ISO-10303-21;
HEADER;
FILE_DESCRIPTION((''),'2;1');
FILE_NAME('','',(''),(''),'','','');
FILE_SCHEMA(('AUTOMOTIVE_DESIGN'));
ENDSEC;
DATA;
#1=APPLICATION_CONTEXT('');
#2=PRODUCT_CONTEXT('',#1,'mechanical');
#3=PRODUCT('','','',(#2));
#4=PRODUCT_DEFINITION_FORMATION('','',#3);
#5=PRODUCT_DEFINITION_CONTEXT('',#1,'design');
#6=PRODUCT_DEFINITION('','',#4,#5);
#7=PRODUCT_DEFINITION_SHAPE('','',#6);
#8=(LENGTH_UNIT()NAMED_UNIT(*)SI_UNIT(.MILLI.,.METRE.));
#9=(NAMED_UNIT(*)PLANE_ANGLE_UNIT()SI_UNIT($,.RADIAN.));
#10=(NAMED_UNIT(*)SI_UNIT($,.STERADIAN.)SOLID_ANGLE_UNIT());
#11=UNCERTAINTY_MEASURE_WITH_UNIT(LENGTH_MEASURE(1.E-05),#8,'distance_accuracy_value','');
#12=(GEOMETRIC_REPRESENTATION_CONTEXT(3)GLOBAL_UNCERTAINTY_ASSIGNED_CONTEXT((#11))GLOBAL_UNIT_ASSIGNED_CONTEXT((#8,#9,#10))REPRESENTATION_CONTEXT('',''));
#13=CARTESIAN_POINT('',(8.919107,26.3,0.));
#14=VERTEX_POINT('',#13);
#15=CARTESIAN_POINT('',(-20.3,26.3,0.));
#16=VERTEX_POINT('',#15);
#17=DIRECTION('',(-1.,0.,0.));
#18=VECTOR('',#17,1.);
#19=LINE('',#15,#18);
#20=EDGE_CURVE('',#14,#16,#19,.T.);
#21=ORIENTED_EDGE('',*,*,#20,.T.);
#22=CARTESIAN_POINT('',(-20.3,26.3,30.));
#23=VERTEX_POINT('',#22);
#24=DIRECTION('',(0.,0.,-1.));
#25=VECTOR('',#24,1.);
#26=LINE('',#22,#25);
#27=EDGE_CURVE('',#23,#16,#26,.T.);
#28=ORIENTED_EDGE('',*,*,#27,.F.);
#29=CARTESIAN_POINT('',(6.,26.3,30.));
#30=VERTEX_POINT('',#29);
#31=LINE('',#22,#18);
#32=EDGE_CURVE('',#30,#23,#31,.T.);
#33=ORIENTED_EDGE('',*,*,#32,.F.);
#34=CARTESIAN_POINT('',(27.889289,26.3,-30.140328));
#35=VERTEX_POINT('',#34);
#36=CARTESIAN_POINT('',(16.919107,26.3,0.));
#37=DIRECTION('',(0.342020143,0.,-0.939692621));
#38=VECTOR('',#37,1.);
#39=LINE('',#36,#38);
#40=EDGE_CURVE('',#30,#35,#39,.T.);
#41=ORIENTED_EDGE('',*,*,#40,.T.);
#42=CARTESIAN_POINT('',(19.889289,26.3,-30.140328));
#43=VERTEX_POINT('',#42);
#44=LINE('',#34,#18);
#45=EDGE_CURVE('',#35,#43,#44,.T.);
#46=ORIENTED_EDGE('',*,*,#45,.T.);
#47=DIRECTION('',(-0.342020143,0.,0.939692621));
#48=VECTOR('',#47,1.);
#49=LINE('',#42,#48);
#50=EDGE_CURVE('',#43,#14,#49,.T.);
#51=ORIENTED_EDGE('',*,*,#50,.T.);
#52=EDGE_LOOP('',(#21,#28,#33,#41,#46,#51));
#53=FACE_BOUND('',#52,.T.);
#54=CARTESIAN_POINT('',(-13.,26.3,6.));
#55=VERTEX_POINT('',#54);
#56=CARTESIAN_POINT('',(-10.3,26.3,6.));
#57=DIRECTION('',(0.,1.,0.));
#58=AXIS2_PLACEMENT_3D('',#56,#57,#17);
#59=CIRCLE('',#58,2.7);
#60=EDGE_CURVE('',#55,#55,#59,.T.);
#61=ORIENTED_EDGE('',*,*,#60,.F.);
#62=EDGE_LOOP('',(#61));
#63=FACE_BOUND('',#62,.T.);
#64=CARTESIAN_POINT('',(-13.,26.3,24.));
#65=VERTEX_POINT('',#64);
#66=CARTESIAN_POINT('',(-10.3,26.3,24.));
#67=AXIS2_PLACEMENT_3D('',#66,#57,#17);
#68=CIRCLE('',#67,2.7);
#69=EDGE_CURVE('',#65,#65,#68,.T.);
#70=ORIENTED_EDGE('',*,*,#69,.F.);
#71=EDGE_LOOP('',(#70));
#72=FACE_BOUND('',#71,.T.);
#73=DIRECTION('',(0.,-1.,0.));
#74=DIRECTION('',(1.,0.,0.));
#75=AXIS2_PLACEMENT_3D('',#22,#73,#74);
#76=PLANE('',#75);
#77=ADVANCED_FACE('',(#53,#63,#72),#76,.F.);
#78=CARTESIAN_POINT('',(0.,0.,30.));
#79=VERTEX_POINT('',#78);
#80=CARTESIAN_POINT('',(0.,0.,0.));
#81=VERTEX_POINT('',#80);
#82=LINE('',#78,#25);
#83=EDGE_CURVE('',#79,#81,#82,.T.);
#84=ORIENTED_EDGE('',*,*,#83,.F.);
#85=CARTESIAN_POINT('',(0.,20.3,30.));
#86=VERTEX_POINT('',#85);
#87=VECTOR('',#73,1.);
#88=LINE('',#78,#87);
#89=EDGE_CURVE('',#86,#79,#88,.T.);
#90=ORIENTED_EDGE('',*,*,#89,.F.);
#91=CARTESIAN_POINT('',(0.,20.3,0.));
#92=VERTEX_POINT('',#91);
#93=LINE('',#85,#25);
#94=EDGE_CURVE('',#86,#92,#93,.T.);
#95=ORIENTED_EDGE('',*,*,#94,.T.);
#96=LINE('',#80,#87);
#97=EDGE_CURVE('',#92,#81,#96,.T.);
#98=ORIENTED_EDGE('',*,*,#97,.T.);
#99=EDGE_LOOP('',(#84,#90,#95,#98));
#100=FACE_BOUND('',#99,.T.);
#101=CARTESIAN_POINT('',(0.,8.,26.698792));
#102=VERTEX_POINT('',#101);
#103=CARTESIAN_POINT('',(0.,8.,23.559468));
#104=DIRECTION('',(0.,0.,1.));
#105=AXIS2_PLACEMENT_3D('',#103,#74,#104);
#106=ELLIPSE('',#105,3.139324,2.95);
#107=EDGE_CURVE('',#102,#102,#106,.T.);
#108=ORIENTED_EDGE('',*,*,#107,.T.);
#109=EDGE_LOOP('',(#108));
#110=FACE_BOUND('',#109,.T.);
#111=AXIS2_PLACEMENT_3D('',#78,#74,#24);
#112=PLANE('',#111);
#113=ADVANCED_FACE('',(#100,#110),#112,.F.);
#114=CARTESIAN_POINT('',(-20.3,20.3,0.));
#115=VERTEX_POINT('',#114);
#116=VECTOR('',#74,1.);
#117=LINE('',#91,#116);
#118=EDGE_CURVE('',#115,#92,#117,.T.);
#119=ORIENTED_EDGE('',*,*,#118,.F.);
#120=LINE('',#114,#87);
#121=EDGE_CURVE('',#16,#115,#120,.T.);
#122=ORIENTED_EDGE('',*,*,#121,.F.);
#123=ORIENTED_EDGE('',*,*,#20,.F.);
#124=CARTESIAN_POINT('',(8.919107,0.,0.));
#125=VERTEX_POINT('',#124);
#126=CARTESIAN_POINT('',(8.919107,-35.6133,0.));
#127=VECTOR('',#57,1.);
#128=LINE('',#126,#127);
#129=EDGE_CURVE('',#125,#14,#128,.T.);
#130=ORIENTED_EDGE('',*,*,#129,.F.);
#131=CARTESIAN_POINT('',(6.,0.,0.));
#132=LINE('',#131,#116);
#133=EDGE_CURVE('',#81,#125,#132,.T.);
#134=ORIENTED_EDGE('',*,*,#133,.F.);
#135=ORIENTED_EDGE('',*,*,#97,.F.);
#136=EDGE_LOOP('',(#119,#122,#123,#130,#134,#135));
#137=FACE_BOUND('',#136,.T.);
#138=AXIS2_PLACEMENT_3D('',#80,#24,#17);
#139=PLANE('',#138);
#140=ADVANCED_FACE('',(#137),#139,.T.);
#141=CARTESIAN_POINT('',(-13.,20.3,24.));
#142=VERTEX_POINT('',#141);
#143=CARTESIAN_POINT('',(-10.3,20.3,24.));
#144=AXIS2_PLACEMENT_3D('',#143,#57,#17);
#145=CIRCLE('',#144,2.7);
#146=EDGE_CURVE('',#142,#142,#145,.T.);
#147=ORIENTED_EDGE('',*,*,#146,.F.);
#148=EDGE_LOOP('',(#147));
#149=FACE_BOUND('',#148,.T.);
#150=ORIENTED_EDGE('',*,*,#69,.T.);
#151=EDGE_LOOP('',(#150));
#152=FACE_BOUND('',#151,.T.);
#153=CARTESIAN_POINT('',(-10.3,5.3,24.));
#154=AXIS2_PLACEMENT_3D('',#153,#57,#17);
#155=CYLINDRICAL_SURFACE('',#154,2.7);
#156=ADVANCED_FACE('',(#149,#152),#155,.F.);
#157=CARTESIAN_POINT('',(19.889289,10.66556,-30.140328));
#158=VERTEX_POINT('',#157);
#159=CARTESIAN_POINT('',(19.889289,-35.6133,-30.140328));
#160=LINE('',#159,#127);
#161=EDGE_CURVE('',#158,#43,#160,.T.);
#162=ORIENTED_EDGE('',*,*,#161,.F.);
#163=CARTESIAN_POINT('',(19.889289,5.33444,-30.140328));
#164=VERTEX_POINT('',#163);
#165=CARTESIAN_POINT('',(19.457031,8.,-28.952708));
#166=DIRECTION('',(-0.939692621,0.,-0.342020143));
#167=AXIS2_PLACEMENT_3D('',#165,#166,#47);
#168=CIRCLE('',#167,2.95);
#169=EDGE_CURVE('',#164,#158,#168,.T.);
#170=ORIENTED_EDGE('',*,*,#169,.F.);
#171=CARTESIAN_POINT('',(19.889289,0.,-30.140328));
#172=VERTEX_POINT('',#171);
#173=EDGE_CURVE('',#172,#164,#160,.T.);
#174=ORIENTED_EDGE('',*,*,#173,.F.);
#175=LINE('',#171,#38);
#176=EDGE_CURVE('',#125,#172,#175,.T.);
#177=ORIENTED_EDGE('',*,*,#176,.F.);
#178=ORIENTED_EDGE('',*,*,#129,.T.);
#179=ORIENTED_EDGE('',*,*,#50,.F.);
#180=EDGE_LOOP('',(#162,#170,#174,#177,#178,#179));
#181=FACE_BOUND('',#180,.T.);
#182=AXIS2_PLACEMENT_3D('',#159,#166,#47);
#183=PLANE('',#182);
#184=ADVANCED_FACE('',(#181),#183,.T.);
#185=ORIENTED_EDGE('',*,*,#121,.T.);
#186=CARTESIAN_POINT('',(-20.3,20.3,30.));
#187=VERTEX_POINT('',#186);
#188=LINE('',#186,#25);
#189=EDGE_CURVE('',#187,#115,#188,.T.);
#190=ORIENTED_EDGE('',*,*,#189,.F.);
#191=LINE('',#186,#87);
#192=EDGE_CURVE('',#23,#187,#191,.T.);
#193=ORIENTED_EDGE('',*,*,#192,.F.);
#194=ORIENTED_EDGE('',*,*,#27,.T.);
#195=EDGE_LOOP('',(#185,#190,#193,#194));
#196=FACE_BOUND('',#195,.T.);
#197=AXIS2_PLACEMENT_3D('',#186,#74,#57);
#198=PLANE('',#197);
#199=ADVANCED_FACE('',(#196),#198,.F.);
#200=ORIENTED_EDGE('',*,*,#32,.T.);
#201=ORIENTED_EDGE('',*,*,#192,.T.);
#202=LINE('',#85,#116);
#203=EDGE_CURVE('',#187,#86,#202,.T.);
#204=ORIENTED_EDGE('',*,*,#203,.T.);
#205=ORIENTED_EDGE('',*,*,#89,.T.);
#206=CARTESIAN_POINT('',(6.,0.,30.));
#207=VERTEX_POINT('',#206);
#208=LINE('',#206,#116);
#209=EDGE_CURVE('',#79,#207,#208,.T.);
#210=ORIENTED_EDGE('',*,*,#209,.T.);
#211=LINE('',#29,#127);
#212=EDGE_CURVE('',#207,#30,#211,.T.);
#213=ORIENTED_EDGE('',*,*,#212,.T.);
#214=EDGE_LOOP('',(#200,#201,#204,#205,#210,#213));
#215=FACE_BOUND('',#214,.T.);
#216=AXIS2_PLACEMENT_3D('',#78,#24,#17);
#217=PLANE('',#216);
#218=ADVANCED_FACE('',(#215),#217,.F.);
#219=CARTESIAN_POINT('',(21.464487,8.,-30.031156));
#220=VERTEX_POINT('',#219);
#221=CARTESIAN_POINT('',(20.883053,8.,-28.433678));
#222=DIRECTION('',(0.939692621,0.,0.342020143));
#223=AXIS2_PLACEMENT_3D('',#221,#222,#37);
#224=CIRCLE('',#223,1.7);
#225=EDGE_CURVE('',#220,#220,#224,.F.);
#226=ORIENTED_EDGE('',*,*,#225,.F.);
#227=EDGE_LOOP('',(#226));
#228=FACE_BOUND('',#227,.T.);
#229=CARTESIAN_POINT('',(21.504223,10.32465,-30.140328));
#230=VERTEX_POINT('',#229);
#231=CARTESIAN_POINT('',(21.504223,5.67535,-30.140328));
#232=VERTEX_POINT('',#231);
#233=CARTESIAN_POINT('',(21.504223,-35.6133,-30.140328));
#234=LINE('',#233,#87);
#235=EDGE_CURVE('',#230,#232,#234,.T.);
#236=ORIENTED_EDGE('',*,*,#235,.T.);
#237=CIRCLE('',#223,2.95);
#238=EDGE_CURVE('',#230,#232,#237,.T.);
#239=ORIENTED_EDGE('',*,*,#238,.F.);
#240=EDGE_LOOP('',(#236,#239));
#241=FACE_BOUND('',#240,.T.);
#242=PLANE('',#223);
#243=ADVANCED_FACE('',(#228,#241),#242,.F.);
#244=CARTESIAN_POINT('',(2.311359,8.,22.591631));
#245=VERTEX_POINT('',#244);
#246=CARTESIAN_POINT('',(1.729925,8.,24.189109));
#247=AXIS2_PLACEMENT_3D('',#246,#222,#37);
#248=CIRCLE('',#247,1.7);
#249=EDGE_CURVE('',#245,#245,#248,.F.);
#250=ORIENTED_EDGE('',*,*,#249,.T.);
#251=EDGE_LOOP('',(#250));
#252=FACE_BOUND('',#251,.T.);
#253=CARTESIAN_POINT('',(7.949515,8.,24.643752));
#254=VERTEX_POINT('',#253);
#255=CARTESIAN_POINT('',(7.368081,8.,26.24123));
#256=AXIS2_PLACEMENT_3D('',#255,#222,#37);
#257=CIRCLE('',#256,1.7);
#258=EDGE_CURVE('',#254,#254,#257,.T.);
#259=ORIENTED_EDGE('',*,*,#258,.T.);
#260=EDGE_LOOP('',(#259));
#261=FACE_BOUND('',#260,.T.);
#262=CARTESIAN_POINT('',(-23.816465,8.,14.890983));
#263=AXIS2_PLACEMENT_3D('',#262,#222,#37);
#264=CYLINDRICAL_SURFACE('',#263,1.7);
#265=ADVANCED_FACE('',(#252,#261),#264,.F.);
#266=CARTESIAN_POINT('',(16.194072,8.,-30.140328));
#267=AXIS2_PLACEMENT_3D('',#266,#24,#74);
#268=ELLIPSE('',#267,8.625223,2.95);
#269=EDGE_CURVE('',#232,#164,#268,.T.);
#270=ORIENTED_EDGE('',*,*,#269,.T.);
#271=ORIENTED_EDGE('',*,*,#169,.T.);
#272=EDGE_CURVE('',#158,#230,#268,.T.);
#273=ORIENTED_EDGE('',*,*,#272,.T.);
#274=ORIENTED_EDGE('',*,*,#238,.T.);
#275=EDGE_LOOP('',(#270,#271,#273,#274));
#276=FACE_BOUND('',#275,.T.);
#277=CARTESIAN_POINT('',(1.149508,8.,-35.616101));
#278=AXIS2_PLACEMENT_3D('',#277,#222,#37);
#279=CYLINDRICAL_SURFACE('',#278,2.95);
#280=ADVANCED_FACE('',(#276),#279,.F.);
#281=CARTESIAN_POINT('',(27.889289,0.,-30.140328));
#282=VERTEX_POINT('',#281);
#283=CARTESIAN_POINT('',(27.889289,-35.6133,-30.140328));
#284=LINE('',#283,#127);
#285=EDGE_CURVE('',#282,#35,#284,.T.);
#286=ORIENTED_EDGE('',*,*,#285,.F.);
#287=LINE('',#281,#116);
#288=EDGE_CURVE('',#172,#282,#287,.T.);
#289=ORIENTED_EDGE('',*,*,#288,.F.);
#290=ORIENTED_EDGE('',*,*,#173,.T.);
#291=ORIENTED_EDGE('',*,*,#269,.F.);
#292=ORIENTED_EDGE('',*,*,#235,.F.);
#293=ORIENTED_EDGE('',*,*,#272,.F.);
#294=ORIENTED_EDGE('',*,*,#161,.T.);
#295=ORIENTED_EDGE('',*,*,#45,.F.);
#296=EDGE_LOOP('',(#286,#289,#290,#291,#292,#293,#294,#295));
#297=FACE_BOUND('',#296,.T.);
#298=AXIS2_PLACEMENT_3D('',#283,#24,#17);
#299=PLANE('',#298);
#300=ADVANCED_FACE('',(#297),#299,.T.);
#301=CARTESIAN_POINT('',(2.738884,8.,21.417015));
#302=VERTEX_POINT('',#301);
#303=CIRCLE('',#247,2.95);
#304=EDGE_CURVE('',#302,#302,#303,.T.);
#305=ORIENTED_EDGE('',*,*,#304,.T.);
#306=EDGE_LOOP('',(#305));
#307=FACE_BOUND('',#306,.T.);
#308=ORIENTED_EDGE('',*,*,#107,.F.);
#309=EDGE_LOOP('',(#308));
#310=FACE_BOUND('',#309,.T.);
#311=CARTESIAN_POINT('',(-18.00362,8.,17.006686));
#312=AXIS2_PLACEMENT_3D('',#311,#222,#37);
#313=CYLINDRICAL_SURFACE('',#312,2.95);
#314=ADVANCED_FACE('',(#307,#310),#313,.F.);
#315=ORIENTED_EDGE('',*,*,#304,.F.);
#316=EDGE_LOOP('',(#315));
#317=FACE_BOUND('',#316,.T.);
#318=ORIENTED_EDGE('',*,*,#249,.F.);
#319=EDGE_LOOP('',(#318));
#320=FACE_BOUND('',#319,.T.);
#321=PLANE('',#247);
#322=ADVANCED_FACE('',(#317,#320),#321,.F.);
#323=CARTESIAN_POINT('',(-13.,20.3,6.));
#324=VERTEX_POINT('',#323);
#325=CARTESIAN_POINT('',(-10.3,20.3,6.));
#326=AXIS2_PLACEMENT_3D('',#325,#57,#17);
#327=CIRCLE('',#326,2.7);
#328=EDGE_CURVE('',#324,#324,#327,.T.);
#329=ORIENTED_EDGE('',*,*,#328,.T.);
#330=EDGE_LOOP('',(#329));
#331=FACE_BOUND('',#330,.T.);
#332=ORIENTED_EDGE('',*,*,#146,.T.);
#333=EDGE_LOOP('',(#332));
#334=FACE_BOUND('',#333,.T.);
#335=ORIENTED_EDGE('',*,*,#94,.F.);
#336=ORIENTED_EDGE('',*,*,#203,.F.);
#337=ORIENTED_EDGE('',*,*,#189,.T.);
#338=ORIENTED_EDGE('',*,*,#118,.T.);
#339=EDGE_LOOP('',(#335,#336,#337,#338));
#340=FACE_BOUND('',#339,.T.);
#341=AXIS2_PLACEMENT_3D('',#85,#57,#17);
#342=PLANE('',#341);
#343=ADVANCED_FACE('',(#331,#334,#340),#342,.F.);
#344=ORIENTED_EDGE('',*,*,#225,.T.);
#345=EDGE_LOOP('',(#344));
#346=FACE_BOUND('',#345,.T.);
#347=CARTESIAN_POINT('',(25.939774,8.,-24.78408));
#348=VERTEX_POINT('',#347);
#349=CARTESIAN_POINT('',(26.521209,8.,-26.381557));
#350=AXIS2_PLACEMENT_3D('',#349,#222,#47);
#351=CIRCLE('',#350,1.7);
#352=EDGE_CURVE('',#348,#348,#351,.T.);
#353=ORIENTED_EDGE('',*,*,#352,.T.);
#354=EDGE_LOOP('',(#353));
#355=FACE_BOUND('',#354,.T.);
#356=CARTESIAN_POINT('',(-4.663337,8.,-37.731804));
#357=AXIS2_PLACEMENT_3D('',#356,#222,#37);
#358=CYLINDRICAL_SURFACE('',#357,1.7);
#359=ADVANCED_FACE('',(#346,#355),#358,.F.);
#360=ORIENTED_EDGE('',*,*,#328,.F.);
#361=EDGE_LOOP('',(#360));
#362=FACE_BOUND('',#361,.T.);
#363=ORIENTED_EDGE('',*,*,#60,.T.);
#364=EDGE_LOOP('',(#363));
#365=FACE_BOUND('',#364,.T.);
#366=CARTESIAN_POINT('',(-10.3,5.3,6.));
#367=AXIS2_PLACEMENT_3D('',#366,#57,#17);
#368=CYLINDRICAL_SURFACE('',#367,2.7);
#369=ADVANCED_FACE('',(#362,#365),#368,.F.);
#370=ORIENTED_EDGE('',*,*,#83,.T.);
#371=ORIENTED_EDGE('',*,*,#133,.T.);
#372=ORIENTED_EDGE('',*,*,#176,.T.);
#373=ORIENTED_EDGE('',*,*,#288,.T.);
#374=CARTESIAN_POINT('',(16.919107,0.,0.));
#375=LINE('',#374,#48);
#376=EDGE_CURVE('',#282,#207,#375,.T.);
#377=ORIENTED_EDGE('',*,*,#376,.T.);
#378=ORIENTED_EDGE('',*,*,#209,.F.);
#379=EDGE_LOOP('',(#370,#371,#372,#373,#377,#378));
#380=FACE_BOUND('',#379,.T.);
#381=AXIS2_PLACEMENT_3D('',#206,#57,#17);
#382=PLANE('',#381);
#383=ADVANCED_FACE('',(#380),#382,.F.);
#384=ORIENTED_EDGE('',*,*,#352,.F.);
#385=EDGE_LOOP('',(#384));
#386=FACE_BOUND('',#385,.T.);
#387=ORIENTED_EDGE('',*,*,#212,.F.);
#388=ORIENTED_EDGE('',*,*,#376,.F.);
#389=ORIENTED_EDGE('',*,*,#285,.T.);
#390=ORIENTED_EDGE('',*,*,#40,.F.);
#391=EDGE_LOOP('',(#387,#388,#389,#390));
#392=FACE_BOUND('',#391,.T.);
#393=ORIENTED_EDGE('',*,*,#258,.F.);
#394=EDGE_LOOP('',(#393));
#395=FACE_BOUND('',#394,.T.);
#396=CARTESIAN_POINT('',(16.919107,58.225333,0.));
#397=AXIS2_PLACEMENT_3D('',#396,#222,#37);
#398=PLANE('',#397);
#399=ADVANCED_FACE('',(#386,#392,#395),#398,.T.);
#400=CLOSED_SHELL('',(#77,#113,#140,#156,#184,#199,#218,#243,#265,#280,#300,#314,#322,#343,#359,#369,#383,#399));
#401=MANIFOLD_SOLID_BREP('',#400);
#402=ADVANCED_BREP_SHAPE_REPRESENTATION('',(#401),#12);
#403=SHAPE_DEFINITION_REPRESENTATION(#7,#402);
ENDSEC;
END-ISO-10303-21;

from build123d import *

# Parameters (mm, degrees)
BOSS_EXTRUDE1_DEPTH = 30
BOSS_EXTRUDE2_DEPTH = 26.3
BOSS_EXTRUDE3_DEPTH = 26.3
CUT_EXTRUDE1_REACH  = 58.563
SKETCH4_R           = 1.7
CUT_EXTRUDE2_START  = -6
SKETCH5_R           = 2.95
CUT_EXTRUDE2_DEPTH  = 21
SKETCH7_R           = 2.7
CUT_EXTRUDE3_DEPTH  = 21


with BuildPart() as part:
    # Sketch1 → Boss-Extrude1 (new body)
    with BuildSketch(Plane.XY):
        Polygon((0, 0), (0, 20.3), (-20.3, 20.3), (-20.3, 26.3), (6, 26.3), (6, 0), align=None)
    extrude(amount=BOSS_EXTRUDE1_DEPTH)

    # Sketch2 → Boss-Extrude2 (add)
    with BuildSketch(Plane.XZ):
        Polygon((6, 0), (16.919107028, 0), (6, 30), align=None)
    extrude(amount=-BOSS_EXTRUDE2_DEPTH)

    # Sketch3 → Boss-Extrude3 (add)
    with BuildSketch(Plane(origin=(0, 26.3, 0), x_dir=(1, 0, 0), z_dir=(0, 1, 0))):
        Polygon((16.919107028, 0), (27.889289173, 30.14032773), (19.889289173, 30.14032773), (8.919107028, 0), align=None)
    extrude(amount=-BOSS_EXTRUDE3_DEPTH)

    # Cut-Extrude1: up to this plane
    cut_extrude1_end = Plane(origin=(0, 0, 30), z_dir=(1, 0, 0))
    # Sketch4 → Cut-Extrude1 (cut, up to the surface)
    with BuildSketch(Plane(origin=(14.939947475, 0, 5.437696182), x_dir=(0.34202014332567265, 0, -0.9396926207859071), z_dir=(0.9396926207859071, 0, 0.34202014332567265)), mode=Mode.PRIVATE) as cut_extrude1_sk1:
        with Locations((-22.138657764, 8)):
            Circle(SKETCH4_R)
    cut_extrude1_tool1 = split(extrude(cut_extrude1_sk1.sketch, amount=-CUT_EXTRUDE1_REACH, mode=Mode.PRIVATE), bisect_by=cut_extrude1_end, keep=Keep.BOTH, mode=Mode.PRIVATE)
    add(cut_extrude1_tool1.solids().sort_by_distance((7.368081, 8, 26.24123))[0], mode=Mode.SUBTRACT)
    # Sketch4 → Cut-Extrude1 (cut, up to the surface)
    with BuildSketch(Plane(origin=(14.939947475, 0, 5.437696182), x_dir=(0.34202014332567265, 0, -0.9396926207859071), z_dir=(0.9396926207859071, 0, 0.34202014332567265)), mode=Mode.PRIVATE) as cut_extrude1_sk2:
        with Locations(Location((33.861342236, 8, 0), (0, 0, 41.975179766))):
            Circle(SKETCH4_R)
    cut_extrude1_tool2 = split(extrude(cut_extrude1_sk2.sketch, amount=-CUT_EXTRUDE1_REACH, mode=Mode.PRIVATE), bisect_by=cut_extrude1_end, keep=Keep.BOTH, mode=Mode.PRIVATE)
    add(cut_extrude1_tool2.solids().sort_by_distance((26.521209, 8, -26.381557))[0], mode=Mode.SUBTRACT)

    # Sketch5 → Cut-Extrude2 (cut)
    with BuildSketch(Plane(origin=(14.939947475, 0, 5.437696182), x_dir=(0.34202014332567265, 0, -0.9396926207859071), z_dir=(0.9396926207859071, 0, 0.34202014332567265)).offset(CUT_EXTRUDE2_START)):
        with Locations((-22.138657764, 8)):
            Circle(SKETCH5_R)
        with Locations((33.861342236, 8)):
            Circle(SKETCH5_R)
    extrude(amount=-CUT_EXTRUDE2_DEPTH, mode=Mode.SUBTRACT)

    # Sketch7 → Cut-Extrude3 (cut)
    with BuildSketch(Plane(origin=(0, 26.3, 0), x_dir=(1, 0, 0), z_dir=(0, 1, 0))):
        with Locations(Location((-10.3, -24, 0), (0, 0, 180))):
            Circle(SKETCH7_R)
        with Locations(Location((-10.3, -6, 0), (0, 0, 180))):
            Circle(SKETCH7_R)
    extrude(amount=-CUT_EXTRUDE3_DEPTH, mode=Mode.SUBTRACT)


solid = part.part
